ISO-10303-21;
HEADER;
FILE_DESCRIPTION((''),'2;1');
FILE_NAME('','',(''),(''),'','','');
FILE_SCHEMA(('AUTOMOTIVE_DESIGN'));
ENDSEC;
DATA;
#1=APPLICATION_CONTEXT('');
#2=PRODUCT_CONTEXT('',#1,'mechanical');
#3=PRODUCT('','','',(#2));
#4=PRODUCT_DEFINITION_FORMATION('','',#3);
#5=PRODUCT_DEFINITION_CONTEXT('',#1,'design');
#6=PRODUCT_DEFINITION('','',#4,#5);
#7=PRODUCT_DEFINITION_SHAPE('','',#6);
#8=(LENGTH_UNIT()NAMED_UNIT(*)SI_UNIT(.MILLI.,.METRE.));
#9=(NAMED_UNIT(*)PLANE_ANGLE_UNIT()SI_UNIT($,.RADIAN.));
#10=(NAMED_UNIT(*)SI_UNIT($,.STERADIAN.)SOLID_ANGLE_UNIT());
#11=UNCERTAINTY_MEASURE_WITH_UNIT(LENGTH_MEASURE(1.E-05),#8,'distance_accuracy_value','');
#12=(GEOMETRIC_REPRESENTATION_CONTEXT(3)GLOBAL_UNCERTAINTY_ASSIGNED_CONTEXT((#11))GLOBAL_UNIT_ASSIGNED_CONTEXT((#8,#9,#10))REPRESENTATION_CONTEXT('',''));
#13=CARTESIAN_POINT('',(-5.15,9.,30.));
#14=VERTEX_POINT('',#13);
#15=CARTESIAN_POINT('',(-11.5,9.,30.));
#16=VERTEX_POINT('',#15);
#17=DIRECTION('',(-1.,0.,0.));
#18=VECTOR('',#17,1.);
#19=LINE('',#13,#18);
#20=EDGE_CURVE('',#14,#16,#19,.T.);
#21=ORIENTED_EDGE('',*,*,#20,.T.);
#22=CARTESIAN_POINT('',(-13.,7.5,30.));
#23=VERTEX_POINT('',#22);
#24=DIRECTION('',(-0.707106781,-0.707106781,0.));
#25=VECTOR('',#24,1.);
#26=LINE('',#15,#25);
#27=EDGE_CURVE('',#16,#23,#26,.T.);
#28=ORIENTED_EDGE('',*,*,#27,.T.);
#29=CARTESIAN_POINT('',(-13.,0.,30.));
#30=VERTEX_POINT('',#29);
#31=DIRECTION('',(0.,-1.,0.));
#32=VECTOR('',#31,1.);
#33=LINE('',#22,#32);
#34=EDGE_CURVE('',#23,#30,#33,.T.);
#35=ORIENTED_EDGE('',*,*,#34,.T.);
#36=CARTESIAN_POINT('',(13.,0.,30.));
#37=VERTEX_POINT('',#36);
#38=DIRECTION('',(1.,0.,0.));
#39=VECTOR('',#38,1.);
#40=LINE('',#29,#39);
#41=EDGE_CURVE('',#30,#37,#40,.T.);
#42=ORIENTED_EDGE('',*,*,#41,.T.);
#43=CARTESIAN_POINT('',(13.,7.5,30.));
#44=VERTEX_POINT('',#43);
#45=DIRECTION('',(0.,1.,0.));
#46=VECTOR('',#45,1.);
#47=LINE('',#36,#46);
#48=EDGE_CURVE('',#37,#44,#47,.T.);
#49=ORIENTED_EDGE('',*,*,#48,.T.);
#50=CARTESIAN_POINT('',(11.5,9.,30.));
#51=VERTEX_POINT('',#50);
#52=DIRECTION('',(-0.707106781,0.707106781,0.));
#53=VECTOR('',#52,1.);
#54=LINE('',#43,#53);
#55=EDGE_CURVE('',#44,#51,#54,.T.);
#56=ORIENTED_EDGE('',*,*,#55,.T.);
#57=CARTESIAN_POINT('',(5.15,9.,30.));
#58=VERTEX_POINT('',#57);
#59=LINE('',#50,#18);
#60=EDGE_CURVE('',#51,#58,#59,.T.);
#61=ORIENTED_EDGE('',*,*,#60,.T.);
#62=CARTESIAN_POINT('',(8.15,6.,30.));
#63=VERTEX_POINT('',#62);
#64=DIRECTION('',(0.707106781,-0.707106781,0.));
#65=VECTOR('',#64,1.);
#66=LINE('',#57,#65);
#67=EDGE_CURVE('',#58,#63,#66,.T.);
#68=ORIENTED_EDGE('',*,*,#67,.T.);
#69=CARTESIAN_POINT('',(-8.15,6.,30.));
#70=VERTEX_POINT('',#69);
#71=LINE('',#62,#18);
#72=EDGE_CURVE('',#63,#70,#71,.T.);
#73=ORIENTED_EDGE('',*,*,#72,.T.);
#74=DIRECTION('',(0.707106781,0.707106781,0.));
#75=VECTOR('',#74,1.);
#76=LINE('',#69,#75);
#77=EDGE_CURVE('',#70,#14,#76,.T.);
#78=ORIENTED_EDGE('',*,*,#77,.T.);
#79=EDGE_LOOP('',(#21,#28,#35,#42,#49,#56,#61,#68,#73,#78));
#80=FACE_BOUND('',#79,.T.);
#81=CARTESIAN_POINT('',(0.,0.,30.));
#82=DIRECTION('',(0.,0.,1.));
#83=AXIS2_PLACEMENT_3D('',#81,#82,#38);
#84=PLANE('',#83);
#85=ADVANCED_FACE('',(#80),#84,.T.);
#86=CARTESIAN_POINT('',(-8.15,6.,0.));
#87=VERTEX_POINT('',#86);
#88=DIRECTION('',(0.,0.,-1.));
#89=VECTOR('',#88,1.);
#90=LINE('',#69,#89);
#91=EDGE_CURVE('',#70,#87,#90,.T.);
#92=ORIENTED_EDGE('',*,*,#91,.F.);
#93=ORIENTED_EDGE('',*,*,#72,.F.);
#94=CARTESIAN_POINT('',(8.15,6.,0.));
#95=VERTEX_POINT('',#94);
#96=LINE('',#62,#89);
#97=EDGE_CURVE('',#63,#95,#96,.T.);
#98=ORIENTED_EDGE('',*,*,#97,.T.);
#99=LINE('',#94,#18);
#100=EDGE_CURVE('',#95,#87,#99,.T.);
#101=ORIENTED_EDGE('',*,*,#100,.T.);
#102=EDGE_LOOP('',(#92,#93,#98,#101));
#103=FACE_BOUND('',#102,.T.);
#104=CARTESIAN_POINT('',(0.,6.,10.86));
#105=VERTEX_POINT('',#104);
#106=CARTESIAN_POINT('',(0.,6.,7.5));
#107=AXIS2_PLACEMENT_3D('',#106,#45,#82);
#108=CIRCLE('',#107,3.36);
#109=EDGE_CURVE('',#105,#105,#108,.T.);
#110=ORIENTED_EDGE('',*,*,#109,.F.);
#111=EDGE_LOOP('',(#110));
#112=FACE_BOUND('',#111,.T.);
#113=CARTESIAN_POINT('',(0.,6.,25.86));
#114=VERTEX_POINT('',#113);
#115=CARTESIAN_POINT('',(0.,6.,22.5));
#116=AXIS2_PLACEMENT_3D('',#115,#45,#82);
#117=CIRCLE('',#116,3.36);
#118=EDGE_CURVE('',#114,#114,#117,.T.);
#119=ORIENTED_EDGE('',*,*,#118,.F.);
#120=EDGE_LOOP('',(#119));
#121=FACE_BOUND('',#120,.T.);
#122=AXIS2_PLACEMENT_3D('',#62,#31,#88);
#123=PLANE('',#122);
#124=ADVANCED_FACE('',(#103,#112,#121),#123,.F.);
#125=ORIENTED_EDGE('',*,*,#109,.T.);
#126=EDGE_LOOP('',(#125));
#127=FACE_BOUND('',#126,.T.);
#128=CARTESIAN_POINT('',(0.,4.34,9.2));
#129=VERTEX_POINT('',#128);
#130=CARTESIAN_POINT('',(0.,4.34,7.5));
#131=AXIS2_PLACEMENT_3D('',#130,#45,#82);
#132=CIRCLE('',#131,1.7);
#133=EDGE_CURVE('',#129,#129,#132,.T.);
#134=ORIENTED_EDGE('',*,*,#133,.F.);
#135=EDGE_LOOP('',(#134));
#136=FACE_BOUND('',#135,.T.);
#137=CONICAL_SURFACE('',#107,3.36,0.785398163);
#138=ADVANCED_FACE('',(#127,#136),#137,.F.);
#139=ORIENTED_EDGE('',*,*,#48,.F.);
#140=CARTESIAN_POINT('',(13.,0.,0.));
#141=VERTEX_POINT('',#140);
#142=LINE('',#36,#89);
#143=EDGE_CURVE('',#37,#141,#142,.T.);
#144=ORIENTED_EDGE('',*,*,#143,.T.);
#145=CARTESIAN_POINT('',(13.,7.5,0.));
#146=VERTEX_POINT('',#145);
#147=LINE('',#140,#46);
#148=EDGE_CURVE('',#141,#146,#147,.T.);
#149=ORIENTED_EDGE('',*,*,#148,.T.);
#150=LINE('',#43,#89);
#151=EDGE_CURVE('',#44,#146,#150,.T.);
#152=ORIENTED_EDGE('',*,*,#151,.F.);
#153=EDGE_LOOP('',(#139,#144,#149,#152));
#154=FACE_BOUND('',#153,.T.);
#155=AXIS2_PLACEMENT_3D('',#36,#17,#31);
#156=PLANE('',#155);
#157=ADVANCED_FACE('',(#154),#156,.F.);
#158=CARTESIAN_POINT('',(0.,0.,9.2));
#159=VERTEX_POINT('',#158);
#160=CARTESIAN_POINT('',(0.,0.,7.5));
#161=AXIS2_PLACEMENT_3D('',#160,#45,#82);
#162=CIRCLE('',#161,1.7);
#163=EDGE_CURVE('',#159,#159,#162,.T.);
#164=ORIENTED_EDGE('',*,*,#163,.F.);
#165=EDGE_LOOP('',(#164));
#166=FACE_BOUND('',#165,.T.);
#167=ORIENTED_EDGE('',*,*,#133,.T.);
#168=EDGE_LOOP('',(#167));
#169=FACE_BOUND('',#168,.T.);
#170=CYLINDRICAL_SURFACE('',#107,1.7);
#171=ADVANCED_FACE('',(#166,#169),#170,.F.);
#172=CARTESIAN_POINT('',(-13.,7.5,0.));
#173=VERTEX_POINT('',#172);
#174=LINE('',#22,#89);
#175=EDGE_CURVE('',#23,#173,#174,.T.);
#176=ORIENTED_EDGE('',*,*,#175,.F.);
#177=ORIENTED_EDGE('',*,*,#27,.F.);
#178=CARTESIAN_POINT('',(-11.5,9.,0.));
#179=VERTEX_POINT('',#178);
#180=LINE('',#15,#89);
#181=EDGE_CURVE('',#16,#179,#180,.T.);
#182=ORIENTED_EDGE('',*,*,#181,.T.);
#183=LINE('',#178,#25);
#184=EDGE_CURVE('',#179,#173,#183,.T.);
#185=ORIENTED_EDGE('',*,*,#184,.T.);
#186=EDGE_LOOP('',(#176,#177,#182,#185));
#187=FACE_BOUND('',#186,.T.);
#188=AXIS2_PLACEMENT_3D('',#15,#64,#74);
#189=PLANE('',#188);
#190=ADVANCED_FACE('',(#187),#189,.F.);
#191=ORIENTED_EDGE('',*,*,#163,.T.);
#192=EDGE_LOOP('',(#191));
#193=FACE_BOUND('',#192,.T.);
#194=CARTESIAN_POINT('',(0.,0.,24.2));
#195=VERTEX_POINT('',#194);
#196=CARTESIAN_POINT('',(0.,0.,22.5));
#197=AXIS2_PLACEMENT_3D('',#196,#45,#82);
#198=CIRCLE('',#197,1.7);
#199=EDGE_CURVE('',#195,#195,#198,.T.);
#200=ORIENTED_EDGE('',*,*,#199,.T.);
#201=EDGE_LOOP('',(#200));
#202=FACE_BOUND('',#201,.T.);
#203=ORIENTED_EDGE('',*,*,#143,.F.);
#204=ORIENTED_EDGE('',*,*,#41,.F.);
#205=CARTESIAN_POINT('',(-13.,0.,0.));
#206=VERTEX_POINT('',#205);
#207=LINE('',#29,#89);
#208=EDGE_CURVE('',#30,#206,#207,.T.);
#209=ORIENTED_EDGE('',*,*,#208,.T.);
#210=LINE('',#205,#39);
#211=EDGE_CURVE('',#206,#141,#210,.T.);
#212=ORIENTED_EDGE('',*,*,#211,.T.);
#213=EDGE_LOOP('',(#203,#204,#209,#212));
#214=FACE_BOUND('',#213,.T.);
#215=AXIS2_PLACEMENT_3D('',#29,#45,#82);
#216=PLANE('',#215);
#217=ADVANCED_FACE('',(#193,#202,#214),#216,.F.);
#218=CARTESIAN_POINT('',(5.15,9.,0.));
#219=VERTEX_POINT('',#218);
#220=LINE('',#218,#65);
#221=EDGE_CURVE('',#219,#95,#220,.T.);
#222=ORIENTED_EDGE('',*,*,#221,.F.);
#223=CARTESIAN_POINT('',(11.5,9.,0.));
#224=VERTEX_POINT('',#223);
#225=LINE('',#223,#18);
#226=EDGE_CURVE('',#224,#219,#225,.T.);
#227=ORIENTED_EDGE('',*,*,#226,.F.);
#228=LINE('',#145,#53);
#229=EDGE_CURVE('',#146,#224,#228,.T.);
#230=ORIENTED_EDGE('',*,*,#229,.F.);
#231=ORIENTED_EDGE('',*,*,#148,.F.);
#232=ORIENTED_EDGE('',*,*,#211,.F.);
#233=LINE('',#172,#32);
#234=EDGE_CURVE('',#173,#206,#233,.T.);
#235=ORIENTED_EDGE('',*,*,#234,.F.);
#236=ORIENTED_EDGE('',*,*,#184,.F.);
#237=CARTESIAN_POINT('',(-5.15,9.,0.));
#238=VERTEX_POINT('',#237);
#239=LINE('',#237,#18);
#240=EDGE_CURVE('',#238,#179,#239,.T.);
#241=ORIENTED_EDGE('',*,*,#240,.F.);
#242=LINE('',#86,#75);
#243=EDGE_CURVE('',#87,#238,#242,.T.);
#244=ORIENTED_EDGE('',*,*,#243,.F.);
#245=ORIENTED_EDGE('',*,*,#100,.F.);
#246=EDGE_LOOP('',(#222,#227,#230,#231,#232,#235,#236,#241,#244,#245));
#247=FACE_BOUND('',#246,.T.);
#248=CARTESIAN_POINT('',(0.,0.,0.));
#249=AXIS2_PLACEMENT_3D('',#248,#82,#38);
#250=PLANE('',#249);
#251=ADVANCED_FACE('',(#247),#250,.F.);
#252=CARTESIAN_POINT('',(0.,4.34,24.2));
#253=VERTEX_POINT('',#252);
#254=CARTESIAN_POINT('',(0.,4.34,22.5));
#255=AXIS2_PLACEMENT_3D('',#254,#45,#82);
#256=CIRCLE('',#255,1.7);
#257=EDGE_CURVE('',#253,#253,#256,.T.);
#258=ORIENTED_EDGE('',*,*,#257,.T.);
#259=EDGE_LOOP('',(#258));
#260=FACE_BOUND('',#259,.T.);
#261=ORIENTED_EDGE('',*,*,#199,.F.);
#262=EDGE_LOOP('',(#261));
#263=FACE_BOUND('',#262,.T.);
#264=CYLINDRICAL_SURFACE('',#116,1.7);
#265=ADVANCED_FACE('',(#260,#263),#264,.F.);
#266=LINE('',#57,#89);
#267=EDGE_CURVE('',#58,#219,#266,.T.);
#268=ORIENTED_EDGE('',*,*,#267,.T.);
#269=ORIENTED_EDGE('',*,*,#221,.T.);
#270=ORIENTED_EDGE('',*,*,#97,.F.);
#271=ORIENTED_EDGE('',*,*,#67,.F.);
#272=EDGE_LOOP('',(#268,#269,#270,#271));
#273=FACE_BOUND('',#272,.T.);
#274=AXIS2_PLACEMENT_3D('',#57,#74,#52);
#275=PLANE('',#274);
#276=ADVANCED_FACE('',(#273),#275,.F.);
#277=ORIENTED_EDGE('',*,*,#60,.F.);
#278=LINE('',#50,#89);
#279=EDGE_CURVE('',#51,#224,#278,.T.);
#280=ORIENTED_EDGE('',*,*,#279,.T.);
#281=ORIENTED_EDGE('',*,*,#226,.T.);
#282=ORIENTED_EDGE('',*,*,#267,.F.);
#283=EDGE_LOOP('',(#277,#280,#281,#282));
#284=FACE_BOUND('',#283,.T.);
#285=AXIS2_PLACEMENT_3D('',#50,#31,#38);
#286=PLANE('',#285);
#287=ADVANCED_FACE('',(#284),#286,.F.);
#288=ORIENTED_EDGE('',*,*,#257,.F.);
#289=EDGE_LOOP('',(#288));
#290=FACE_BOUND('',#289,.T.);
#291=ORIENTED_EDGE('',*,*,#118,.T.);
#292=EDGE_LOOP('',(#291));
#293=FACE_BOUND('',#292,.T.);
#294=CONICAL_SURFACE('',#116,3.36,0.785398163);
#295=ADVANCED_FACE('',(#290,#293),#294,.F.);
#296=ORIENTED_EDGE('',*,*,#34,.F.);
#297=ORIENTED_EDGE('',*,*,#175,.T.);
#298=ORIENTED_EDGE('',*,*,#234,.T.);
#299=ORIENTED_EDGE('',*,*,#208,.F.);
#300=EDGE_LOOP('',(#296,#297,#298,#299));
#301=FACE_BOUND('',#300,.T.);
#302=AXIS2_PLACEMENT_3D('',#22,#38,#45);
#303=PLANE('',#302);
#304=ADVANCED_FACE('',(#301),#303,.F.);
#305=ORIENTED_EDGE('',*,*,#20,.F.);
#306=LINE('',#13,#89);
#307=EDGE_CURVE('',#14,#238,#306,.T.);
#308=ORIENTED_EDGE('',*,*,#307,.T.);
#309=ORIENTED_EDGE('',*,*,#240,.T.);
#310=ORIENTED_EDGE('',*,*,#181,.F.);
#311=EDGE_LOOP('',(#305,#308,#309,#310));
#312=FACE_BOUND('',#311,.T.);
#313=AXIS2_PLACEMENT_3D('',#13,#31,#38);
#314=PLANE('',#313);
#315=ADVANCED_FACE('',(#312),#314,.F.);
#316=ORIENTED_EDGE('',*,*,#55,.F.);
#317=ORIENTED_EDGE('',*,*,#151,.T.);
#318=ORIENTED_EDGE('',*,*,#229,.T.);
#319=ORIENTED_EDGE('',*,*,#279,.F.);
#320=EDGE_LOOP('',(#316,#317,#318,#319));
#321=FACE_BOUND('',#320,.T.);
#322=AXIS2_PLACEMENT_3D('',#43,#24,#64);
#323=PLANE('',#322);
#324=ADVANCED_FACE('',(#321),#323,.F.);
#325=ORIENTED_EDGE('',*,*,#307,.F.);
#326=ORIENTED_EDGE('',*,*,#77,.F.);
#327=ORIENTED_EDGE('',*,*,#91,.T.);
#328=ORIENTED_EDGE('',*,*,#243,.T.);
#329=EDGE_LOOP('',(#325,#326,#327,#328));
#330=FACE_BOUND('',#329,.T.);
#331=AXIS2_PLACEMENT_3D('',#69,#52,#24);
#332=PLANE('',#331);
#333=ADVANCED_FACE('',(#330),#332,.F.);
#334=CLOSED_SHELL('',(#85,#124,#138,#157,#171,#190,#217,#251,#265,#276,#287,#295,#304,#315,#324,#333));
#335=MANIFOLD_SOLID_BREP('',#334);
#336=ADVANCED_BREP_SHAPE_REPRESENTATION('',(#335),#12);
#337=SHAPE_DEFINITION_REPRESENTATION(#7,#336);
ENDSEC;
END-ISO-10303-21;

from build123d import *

# Parameters (mm, degrees)
BOSS_EXTRUDE1_DEPTH                                  = 30
CSK_FOR_M3_HEX_SOCKET_COUNTERSUNK_CAP_SC_D           = 3.4
CSK_FOR_M3_HEX_SOCKET_COUNTERSUNK_CAP_SC_CSINK_D     = 6.72
CSK_FOR_M3_HEX_SOCKET_COUNTERSUNK_CAP_SC_CSINK_ANGLE = 90


with BuildPart() as part:
    # Sketch2 → Boss-Extrude1 (new body)
    with BuildSketch(Plane.XY):
        Polygon((-13, 0), (13, 0), (13, 7.5), (11.5, 9), (5.15, 9), (8.15, 6), (-8.15, 6), (-5.15, 9), (-11.5, 9), (-13, 7.5), align=None)
    extrude(amount=BOSS_EXTRUDE1_DEPTH)

    # CSK for M3 Hex Socket Countersunk Cap Screw2 (through all)
    with Locations(Plane(origin=(0, 6, 0), x_dir=(1, 0, 0), z_dir=(0, 1, 0))):
        with Locations((0, -7.5), (0, -22.5)):
            CounterSinkHole(CSK_FOR_M3_HEX_SOCKET_COUNTERSUNK_CAP_SC_D / 2, CSK_FOR_M3_HEX_SOCKET_COUNTERSUNK_CAP_SC_CSINK_D / 2, counter_sink_angle=CSK_FOR_M3_HEX_SOCKET_COUNTERSUNK_CAP_SC_CSINK_ANGLE)


solid = part.part
